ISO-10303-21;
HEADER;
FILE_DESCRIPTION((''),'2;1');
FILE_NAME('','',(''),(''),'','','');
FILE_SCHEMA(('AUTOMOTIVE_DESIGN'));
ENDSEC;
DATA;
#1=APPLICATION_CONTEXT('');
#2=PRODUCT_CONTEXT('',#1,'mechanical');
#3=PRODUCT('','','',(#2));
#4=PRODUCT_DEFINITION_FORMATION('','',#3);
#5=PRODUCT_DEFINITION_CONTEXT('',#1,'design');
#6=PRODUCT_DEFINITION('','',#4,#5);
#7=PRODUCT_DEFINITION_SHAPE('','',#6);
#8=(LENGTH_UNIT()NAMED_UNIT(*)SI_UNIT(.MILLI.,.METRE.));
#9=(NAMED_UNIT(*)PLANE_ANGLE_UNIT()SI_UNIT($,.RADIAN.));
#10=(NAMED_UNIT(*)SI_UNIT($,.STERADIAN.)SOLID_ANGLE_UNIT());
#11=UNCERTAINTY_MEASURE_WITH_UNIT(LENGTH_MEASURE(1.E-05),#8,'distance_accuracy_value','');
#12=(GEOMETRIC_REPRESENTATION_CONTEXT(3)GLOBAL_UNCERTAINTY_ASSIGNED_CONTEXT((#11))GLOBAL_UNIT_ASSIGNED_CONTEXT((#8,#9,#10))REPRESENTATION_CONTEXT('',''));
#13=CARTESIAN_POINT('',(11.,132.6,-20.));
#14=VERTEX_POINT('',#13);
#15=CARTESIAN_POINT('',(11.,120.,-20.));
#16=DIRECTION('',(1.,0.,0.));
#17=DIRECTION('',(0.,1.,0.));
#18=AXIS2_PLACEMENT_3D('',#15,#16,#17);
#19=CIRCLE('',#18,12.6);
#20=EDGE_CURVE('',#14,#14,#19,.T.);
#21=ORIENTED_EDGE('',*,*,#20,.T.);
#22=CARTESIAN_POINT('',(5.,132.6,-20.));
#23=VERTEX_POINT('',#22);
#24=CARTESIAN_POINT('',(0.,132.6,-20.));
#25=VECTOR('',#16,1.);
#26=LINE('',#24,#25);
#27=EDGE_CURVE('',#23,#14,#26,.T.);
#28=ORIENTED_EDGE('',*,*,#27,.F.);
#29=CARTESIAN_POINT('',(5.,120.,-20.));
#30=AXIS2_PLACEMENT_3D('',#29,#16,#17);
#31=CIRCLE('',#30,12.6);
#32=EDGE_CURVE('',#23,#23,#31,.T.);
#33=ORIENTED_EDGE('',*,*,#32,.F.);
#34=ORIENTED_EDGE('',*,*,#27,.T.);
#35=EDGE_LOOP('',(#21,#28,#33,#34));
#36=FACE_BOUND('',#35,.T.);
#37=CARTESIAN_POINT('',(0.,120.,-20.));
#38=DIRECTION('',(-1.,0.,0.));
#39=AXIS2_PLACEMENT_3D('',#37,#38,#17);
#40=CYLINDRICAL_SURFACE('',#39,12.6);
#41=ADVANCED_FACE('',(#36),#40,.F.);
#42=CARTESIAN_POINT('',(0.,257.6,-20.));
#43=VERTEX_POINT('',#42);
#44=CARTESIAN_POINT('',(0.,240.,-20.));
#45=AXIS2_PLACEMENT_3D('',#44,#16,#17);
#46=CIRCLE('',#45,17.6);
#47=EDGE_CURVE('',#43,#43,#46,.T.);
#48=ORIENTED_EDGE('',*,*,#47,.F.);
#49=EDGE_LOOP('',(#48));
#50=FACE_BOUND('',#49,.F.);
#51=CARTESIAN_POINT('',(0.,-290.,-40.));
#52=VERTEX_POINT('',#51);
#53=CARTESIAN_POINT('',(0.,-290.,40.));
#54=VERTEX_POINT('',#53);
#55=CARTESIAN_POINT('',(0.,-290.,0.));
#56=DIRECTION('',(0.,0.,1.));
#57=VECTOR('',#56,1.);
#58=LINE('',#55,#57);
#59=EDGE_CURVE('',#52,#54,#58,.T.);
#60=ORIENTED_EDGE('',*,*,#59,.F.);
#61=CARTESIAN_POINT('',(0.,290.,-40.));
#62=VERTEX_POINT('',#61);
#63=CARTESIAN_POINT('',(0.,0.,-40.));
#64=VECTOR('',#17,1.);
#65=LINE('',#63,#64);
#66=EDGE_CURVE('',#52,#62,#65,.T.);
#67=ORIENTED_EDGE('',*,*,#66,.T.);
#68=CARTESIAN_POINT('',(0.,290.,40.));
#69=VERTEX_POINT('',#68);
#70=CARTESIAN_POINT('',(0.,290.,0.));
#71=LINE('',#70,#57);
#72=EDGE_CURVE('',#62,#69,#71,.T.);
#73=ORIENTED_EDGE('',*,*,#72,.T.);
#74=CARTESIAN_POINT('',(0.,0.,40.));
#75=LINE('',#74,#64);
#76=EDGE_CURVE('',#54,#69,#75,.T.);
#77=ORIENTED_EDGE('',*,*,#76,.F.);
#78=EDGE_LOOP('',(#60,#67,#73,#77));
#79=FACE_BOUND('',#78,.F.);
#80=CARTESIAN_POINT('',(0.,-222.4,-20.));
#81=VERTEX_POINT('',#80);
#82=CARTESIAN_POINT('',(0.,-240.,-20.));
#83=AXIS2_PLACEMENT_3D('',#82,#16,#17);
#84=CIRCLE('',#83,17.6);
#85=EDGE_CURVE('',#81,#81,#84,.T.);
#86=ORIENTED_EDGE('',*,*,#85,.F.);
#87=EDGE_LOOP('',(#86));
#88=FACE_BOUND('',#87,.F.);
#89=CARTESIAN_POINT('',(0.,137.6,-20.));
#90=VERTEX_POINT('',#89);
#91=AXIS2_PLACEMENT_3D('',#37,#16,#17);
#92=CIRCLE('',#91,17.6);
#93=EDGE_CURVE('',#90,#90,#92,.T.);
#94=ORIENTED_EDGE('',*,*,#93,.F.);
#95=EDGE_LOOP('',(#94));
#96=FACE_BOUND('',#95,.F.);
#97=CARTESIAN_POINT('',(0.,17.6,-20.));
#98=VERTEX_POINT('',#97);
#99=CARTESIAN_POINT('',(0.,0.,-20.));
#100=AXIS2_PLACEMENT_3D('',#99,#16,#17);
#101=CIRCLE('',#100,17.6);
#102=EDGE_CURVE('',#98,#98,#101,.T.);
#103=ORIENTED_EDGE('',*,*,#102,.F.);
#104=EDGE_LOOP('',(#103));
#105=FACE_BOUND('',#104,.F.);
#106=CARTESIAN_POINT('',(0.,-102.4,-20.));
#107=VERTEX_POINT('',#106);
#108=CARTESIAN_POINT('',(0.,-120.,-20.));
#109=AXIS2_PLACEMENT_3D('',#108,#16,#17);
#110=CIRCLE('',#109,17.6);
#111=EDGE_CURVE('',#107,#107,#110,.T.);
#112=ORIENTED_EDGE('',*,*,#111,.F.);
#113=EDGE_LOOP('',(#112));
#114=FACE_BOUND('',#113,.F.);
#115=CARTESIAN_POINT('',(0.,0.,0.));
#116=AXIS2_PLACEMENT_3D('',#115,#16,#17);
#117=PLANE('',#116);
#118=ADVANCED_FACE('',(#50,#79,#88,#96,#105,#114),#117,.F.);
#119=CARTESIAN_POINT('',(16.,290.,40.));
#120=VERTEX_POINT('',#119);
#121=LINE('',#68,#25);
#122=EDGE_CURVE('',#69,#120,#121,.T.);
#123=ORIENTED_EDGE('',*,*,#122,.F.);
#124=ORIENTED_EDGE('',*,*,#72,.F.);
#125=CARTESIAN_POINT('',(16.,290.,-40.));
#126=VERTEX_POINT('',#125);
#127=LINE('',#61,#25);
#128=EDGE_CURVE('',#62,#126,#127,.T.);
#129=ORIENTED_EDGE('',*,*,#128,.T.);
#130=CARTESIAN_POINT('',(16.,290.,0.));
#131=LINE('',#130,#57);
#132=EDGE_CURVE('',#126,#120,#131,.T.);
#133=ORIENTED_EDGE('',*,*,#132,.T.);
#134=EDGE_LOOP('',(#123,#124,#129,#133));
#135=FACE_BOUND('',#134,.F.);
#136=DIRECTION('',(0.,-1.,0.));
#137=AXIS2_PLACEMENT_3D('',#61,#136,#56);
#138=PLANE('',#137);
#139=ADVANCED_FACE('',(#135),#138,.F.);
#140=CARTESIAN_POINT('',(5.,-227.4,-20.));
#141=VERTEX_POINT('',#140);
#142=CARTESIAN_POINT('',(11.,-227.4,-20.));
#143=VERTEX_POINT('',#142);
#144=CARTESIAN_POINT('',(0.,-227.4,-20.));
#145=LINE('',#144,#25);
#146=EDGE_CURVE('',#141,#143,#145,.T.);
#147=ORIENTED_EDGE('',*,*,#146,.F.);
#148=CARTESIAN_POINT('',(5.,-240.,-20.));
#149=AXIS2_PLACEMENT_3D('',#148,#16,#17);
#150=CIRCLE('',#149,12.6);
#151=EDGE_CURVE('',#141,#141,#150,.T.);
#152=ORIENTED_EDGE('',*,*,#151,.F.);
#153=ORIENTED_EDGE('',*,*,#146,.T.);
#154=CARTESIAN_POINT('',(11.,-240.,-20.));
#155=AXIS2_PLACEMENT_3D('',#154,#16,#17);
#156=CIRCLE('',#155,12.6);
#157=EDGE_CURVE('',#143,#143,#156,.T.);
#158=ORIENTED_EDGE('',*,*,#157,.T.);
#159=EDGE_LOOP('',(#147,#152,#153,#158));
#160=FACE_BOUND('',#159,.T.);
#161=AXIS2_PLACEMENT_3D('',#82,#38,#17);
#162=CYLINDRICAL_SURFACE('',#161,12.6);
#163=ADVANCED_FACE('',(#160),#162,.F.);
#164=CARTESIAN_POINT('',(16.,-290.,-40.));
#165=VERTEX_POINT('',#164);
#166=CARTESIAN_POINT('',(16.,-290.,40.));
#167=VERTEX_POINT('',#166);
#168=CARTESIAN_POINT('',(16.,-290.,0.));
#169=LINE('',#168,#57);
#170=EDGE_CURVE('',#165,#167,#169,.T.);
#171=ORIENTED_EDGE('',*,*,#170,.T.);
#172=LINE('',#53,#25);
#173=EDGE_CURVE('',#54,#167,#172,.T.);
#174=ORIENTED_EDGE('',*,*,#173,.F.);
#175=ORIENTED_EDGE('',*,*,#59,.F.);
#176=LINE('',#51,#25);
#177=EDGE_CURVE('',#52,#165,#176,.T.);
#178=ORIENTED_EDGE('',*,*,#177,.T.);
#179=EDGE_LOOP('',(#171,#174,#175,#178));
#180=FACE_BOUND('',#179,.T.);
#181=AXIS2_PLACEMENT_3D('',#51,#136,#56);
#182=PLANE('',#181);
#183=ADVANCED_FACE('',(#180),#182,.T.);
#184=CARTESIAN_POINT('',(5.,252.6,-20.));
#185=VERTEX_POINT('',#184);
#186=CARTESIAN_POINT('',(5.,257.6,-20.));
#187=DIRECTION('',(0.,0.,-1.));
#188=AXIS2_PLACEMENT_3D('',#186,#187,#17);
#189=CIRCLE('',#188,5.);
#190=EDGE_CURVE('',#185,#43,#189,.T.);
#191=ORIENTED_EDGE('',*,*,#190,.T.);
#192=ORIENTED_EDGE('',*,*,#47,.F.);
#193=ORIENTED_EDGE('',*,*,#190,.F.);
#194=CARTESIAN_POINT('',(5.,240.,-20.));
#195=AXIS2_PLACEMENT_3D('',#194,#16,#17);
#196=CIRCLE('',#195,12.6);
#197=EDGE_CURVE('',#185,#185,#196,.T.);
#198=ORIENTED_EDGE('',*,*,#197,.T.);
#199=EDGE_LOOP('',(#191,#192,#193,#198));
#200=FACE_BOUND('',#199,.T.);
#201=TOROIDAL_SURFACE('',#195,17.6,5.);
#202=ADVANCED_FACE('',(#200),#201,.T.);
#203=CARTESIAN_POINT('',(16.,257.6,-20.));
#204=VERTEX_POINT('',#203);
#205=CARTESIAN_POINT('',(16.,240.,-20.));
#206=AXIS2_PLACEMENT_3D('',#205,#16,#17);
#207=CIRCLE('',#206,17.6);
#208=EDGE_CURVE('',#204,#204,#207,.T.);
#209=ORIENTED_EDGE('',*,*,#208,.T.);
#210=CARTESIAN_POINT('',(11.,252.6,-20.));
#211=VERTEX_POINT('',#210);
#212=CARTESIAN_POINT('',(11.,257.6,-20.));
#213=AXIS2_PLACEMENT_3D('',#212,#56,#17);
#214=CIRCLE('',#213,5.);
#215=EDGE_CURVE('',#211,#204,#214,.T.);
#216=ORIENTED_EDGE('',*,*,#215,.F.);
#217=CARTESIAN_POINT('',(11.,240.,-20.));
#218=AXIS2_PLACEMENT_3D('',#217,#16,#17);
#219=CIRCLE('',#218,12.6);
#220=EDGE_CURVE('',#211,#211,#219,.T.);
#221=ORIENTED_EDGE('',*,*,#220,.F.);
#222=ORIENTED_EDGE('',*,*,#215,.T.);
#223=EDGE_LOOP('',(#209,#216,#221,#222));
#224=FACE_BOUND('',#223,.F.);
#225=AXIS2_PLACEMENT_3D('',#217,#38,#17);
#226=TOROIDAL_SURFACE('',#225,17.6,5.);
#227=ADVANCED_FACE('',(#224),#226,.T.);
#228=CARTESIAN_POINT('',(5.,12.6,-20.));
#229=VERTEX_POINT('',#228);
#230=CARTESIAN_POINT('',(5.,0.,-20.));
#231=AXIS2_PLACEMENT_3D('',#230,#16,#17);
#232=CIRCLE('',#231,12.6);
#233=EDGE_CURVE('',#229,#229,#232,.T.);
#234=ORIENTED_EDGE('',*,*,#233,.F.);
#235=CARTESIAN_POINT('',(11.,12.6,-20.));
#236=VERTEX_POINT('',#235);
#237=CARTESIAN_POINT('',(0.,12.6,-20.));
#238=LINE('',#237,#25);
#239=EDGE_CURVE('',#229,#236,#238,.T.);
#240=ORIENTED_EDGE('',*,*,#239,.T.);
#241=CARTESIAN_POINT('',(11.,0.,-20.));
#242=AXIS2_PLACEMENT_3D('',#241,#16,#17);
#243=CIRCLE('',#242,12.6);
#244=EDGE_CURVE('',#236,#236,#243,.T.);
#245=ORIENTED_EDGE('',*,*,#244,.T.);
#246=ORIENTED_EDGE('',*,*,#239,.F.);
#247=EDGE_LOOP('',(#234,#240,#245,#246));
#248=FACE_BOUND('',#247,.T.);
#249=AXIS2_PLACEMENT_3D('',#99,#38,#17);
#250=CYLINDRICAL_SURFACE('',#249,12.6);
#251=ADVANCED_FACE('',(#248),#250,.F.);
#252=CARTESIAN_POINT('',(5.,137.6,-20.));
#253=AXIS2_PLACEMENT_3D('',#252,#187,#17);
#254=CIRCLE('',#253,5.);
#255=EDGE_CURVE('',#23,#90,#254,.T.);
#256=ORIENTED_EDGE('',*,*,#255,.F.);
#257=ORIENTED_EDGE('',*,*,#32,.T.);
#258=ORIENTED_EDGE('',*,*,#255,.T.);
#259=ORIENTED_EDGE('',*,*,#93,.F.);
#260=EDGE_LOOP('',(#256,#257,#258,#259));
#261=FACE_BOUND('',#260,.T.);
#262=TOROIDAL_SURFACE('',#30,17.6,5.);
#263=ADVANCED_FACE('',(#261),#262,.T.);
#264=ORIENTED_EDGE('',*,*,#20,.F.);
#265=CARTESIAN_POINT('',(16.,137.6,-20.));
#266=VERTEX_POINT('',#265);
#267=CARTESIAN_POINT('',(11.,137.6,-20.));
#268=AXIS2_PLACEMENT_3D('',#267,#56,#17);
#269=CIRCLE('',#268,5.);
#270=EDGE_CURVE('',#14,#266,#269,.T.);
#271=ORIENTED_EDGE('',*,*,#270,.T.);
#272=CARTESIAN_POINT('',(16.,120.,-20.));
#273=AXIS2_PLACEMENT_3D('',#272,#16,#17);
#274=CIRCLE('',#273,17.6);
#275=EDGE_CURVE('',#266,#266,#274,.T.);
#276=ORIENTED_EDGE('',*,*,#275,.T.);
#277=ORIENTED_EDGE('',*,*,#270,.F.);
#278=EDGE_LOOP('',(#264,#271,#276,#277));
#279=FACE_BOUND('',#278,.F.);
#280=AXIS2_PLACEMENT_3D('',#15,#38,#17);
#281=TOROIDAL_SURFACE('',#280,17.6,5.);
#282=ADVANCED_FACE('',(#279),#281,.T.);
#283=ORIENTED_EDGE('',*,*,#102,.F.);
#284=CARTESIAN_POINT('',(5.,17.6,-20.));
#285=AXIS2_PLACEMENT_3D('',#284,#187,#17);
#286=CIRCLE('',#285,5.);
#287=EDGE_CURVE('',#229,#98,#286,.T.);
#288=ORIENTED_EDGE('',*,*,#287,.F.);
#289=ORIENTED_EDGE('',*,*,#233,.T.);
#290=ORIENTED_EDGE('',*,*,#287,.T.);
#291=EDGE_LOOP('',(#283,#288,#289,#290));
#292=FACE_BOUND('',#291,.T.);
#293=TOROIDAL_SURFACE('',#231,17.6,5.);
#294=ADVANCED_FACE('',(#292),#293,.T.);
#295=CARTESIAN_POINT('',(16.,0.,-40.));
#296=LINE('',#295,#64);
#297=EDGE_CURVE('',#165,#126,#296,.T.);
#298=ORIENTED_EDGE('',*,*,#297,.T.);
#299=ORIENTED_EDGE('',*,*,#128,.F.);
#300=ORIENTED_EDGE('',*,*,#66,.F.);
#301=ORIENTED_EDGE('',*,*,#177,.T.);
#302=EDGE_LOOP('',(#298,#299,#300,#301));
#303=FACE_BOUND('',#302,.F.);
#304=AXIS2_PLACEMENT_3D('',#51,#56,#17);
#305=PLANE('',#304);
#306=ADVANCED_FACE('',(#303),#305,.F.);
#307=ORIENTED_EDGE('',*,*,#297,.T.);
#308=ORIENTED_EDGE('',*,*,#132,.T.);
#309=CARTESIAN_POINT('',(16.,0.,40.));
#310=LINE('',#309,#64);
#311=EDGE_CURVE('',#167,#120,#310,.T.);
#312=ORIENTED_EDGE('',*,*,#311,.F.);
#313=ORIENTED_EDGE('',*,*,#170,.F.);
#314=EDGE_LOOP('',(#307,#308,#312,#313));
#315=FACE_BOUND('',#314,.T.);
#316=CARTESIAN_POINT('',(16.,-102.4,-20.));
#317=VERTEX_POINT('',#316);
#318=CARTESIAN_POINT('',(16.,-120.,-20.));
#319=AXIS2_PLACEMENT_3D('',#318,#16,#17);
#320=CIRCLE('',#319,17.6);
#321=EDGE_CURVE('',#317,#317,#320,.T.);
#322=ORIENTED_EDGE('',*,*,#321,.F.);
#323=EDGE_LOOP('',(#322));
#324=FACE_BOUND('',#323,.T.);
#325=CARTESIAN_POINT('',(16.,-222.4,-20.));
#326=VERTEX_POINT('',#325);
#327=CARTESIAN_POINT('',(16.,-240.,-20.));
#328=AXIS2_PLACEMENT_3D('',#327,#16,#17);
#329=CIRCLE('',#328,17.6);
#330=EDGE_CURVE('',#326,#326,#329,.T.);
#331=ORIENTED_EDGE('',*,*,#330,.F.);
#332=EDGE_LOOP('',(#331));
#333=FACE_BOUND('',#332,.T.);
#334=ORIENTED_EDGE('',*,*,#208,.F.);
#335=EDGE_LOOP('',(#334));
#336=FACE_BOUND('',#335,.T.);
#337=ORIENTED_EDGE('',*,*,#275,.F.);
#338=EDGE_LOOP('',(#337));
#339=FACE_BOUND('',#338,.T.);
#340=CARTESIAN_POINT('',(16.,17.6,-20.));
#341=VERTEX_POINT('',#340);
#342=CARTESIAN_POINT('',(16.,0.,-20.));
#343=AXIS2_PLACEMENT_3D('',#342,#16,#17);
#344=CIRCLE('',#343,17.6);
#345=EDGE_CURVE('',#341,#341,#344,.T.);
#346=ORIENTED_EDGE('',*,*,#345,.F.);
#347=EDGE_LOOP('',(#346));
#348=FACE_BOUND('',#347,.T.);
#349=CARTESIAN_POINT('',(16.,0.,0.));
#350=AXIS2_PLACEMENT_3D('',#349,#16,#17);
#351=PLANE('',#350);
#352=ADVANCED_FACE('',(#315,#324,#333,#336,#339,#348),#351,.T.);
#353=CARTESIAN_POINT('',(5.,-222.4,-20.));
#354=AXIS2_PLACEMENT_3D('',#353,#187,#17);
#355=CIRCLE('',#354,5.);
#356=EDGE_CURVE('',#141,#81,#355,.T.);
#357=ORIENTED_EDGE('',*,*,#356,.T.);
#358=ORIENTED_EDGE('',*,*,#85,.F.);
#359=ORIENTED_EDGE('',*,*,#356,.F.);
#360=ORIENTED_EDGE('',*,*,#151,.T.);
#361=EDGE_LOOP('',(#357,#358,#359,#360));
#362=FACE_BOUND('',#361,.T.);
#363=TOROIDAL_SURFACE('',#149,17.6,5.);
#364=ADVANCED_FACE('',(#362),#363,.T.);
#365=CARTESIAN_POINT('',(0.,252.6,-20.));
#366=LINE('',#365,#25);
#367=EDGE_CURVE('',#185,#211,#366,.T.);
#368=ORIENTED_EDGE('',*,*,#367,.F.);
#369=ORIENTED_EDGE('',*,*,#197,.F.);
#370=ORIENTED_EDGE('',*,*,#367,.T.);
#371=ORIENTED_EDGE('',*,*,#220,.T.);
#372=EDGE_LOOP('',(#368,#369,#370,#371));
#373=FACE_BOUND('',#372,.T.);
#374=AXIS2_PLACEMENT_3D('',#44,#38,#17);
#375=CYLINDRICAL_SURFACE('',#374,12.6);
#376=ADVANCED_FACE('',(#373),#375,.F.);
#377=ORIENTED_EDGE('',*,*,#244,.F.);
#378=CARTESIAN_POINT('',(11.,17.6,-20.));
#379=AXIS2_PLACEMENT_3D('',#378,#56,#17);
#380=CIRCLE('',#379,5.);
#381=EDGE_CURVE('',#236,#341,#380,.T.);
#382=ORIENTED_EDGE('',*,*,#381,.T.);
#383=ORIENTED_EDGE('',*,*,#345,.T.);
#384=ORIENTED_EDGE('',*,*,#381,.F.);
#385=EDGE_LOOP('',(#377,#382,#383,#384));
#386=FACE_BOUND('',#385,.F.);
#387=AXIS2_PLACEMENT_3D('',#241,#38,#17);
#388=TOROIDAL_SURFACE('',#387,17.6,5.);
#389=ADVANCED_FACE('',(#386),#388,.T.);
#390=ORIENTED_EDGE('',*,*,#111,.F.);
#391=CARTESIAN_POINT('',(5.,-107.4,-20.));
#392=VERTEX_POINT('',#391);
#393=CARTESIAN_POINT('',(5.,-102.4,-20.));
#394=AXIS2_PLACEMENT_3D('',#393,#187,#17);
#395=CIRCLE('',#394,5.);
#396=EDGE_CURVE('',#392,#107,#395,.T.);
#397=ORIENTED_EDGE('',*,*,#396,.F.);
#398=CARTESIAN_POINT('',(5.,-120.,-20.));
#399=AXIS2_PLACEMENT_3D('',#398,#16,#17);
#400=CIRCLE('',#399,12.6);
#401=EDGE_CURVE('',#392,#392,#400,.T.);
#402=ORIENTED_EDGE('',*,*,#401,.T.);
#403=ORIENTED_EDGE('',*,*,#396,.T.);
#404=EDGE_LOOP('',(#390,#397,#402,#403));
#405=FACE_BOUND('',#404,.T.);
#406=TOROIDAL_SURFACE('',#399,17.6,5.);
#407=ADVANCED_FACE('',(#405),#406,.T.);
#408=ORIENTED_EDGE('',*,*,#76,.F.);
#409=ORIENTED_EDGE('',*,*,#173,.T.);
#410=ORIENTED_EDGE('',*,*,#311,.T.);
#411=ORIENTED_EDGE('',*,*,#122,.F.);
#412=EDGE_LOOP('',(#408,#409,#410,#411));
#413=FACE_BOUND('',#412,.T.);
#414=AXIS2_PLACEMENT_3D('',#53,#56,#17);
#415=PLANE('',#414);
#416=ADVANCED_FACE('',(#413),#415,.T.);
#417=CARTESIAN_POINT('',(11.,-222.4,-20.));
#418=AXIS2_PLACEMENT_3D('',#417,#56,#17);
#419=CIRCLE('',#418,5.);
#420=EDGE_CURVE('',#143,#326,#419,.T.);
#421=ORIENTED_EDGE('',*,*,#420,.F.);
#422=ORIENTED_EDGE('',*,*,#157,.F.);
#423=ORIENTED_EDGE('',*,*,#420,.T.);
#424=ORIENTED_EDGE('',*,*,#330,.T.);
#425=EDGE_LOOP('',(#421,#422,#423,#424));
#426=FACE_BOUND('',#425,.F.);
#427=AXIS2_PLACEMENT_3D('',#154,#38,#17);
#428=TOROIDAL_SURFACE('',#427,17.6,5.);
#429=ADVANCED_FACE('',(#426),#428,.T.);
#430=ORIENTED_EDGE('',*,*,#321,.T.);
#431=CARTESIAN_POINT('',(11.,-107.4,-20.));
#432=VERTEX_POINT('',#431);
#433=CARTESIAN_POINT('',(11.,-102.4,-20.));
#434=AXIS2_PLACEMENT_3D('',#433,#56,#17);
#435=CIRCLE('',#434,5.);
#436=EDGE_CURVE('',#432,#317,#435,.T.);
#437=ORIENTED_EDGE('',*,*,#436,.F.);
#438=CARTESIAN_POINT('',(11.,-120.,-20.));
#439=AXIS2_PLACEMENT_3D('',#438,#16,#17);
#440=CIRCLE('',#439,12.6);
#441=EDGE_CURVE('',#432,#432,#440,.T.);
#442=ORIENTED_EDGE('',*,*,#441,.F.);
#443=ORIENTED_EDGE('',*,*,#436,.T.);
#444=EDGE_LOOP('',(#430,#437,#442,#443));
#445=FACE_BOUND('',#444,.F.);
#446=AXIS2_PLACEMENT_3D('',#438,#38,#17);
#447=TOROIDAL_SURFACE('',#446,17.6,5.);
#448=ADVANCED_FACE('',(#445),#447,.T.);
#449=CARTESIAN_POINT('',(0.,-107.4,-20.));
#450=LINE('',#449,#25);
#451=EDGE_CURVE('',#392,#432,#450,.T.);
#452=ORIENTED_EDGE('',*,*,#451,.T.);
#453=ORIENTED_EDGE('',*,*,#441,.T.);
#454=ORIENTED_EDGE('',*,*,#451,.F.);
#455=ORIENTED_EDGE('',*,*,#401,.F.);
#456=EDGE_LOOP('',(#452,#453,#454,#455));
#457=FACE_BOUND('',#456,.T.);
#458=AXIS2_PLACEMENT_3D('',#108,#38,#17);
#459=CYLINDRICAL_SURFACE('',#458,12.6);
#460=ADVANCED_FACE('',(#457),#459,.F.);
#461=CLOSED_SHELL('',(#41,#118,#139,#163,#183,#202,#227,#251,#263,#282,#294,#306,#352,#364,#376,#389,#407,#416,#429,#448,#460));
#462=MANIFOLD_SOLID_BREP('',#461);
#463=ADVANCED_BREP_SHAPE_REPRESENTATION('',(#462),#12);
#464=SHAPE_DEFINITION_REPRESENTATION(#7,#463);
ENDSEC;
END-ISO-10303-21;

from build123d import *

# Parameters (mm, degrees)
F0_W     = 580
F0_H     = 80
F0_R     = 12.6
F1_DEPTH = 16
F2_R     = 5


with BuildPart() as f1:
    # F0 (on Right) → F1 (new body)
    with BuildSketch(Plane.YZ):
        Rectangle(F0_W, F0_H)
        with Locations((-240, -20)):
            Circle(F0_R, mode=Mode.SUBTRACT)
        with Locations((-120, -20)):
            Circle(F0_R, mode=Mode.SUBTRACT)
        with Locations((0, -20)):
            Circle(F0_R, mode=Mode.SUBTRACT)
        with Locations((120, -20)):
            Circle(F0_R, mode=Mode.SUBTRACT)
        with Locations((240, -20)):
            Circle(F0_R, mode=Mode.SUBTRACT)
    extrude(amount=F1_DEPTH)

    # F2
    f2_edges = [f1.edges().sort_by_distance(p)[0] for p in [
        (0, -132.6, -20),
        (8, -107.4, -20),
        (16, -132.6, -20),
        (16, -252.6, -20),
        (8, -227.4, -20),
        (0, -252.6, -20),
        (0, -12.6, -20),
        (16, -12.6, -20),
        (0, 107.4, -20),
        (16, 107.4, -20),
        (16, 227.4, -20),
        (0, 227.4, -20),
    ]]
    fillet(f2_edges, radius=F2_R)


solid = f1.part
